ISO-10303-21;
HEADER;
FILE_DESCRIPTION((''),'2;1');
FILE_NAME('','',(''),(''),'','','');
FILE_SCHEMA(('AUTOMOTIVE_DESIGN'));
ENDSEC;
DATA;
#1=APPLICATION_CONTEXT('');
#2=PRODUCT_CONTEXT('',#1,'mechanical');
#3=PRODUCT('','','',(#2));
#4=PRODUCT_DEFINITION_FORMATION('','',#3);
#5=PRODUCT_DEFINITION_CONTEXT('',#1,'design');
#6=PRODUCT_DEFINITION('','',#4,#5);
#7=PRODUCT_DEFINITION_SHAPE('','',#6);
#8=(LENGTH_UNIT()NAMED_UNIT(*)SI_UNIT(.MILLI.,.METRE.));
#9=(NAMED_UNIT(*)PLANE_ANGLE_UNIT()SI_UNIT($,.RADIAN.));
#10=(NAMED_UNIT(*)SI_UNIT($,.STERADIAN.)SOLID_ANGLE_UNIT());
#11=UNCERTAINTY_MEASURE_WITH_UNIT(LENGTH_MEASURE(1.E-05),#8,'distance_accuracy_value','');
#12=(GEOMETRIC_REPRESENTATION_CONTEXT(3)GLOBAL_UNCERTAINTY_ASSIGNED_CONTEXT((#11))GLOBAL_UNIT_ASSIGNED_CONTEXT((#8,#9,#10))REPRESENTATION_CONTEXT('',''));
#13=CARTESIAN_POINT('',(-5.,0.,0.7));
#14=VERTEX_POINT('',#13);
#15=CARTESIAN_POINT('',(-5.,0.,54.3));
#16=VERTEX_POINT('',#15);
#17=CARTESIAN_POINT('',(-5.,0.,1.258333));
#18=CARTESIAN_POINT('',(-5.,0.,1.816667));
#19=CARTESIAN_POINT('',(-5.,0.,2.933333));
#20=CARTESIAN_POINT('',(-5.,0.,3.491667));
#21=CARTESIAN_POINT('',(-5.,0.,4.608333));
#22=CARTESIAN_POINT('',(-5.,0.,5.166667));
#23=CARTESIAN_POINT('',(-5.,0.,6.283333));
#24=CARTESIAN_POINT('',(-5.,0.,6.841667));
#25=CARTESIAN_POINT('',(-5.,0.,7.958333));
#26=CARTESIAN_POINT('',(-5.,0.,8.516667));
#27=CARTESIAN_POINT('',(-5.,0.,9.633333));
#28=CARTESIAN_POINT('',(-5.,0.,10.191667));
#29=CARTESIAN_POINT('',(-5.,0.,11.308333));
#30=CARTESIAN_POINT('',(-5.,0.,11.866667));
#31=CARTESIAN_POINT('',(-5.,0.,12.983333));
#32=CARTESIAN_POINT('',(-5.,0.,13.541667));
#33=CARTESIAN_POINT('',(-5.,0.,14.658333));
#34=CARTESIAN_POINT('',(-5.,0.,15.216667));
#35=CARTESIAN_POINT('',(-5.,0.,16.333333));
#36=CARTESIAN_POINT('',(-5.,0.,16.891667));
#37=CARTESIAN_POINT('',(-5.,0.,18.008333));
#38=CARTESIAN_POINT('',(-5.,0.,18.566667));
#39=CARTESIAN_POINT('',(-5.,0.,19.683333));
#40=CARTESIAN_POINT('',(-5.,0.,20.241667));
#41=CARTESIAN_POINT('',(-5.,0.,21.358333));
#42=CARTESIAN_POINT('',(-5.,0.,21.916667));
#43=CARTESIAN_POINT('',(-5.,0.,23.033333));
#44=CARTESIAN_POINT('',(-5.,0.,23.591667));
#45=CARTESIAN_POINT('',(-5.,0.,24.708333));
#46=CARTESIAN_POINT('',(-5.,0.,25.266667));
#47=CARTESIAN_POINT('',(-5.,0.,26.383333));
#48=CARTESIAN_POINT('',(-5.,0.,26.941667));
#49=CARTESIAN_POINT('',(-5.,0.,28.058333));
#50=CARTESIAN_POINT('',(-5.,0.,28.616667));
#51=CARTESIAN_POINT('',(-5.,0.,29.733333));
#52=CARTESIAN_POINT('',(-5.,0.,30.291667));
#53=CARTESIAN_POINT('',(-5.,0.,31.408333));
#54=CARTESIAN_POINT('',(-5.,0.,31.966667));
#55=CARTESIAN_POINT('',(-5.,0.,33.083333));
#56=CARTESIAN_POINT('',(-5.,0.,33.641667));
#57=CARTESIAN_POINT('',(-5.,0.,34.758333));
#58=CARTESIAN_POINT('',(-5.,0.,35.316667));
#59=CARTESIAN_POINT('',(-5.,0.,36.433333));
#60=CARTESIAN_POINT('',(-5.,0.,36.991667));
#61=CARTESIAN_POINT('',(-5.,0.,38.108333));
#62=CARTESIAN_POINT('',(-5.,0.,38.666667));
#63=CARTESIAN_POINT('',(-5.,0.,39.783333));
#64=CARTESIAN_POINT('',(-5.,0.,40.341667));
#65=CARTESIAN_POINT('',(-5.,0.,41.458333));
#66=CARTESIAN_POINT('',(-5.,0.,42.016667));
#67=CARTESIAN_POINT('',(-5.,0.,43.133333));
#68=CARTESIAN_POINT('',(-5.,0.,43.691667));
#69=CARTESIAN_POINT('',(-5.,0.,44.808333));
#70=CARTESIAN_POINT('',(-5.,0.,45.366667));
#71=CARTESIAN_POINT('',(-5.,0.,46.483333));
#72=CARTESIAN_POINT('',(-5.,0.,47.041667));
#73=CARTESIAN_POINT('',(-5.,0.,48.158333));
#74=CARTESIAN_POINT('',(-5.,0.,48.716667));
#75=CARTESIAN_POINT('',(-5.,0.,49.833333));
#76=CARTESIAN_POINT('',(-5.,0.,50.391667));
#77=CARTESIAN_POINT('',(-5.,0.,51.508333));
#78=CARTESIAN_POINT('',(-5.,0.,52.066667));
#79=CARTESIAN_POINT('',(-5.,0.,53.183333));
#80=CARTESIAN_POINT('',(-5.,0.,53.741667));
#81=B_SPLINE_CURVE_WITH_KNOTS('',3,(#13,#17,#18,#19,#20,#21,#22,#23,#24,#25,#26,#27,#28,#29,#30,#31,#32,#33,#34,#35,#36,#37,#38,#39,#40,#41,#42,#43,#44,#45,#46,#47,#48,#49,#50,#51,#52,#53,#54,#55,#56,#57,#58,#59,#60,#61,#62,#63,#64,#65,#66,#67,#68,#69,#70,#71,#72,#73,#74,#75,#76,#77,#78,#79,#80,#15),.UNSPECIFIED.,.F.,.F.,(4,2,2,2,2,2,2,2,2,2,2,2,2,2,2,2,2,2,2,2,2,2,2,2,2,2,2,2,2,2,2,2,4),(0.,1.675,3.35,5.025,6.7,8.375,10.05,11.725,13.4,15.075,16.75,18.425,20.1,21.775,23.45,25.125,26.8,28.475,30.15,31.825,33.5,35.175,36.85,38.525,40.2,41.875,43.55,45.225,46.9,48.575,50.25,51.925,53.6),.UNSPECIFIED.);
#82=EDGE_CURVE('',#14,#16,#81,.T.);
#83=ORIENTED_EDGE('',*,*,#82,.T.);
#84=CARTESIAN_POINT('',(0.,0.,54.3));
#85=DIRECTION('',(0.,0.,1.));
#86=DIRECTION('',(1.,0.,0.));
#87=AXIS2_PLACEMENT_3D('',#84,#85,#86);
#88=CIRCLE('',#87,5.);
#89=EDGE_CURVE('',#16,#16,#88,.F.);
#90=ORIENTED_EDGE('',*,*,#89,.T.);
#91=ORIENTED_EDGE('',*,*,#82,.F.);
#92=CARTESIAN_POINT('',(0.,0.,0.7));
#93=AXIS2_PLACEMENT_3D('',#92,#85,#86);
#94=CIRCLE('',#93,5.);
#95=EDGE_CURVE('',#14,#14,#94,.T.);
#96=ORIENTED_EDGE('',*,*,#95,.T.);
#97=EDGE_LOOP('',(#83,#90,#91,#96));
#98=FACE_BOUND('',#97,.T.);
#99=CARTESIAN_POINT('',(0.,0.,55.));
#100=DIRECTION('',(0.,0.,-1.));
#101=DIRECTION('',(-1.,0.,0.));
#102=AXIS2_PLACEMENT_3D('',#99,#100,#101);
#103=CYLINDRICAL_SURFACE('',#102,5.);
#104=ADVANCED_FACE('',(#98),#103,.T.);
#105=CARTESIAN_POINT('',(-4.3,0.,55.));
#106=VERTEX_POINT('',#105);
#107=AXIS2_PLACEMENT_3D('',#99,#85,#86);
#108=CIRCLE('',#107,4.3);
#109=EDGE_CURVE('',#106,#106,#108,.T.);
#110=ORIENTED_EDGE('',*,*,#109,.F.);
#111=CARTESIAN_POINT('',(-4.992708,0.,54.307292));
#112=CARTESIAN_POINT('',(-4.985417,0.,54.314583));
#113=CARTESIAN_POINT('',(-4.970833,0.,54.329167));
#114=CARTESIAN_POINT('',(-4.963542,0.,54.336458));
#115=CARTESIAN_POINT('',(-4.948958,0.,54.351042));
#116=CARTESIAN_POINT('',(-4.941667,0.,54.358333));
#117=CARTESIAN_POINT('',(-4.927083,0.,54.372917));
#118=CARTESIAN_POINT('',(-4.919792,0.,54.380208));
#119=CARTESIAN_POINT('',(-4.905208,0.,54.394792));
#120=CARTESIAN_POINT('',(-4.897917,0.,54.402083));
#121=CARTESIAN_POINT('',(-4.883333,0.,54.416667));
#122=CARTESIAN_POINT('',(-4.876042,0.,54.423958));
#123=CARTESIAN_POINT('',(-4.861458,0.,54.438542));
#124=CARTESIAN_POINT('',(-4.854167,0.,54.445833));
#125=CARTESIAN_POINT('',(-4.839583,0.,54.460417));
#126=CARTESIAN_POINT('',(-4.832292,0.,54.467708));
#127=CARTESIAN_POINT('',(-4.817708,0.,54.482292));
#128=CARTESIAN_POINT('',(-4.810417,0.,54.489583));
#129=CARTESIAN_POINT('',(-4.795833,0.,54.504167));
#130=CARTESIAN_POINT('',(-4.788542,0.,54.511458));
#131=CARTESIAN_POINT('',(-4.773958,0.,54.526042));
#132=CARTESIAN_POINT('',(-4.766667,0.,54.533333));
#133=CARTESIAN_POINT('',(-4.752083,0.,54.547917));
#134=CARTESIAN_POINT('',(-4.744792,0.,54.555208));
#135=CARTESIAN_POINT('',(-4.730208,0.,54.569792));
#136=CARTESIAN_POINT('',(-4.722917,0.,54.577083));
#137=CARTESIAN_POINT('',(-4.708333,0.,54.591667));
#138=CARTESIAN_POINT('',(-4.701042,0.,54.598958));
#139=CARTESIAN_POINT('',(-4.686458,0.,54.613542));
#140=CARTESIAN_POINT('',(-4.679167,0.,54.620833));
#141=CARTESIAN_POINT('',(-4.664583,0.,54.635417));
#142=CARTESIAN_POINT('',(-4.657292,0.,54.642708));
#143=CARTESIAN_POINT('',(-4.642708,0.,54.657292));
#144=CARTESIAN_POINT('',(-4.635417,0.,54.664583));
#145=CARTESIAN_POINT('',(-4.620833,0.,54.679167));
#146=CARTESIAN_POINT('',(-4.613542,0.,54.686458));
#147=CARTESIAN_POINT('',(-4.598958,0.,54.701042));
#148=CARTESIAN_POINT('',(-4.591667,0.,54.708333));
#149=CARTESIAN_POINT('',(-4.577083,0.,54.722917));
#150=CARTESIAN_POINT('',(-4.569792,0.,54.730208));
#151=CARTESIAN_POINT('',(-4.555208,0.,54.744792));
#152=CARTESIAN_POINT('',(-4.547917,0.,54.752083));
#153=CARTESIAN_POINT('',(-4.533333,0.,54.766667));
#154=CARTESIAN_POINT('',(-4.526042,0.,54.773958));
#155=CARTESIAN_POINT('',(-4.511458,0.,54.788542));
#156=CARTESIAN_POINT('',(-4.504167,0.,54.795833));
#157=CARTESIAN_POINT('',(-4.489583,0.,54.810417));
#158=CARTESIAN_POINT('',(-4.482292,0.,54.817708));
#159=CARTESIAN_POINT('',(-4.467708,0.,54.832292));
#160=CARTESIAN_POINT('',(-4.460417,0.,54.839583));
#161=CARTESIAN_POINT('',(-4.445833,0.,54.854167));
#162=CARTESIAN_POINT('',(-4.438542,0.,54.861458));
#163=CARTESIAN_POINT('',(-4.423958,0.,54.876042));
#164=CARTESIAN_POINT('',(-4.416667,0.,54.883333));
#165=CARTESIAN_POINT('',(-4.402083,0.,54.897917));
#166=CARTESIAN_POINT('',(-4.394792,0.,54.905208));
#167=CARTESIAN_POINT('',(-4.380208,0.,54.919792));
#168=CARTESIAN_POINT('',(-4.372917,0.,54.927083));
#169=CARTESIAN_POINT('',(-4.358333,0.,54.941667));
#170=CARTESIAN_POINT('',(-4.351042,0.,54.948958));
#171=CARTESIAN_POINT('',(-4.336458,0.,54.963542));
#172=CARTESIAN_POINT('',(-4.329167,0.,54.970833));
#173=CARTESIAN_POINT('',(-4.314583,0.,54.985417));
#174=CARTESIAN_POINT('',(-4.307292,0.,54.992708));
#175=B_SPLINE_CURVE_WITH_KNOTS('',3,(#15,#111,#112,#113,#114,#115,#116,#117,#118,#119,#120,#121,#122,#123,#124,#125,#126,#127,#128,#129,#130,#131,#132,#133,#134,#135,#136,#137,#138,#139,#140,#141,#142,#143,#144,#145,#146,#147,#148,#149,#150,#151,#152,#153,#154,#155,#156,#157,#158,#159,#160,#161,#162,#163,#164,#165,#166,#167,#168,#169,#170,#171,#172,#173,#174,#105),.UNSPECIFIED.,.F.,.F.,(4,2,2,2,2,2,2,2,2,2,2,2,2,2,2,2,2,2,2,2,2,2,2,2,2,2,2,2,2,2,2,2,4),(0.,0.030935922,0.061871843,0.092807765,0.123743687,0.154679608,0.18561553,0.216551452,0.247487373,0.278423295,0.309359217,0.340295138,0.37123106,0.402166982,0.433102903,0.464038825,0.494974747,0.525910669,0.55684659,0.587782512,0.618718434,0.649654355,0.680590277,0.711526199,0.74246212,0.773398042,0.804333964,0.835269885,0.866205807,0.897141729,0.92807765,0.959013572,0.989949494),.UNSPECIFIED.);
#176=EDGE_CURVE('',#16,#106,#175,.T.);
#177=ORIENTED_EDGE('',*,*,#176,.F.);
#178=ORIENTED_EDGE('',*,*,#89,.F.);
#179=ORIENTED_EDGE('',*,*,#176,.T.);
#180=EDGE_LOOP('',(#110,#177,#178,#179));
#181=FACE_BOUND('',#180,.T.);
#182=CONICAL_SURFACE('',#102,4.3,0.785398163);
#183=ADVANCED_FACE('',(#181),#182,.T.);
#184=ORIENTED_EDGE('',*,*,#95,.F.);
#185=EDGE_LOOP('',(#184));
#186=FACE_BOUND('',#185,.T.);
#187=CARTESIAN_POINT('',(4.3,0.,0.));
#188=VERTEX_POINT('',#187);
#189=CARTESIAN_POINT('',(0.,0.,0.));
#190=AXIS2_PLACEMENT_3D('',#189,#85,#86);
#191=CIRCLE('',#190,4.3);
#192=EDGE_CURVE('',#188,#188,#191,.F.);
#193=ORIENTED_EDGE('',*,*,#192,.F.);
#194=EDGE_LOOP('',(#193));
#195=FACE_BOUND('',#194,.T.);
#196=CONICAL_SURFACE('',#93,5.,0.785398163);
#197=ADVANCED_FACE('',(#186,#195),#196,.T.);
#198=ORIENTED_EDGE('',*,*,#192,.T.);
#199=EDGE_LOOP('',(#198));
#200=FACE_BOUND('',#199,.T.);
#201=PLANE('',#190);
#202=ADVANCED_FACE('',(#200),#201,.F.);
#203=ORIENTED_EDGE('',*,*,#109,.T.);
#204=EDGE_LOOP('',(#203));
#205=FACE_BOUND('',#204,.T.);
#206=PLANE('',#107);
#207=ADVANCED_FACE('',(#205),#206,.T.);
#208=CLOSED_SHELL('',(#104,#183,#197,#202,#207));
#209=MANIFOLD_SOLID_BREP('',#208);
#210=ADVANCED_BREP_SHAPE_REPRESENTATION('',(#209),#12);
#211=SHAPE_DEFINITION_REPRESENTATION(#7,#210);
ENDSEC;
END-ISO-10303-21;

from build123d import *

# Parameters (mm, degrees)
SKICA1_R        = 5
VYSUNOUT1_DEPTH = 55
ZKOSIT1_SIZE    = 0.7


with BuildPart() as part:
    # Skica1 → Vysunout1 (new body)
    with BuildSketch(Plane.XY):
        Circle(SKICA1_R)
    extrude(amount=VYSUNOUT1_DEPTH)

    # Zkosit1
    zkosit1_edges = [part.edges().sort_by_distance(p)[0] for p in [
        (-5, 0, 0),
        (-5, 0, 55),
    ]]
    chamfer(zkosit1_edges, length=ZKOSIT1_SIZE)


solid = part.part
